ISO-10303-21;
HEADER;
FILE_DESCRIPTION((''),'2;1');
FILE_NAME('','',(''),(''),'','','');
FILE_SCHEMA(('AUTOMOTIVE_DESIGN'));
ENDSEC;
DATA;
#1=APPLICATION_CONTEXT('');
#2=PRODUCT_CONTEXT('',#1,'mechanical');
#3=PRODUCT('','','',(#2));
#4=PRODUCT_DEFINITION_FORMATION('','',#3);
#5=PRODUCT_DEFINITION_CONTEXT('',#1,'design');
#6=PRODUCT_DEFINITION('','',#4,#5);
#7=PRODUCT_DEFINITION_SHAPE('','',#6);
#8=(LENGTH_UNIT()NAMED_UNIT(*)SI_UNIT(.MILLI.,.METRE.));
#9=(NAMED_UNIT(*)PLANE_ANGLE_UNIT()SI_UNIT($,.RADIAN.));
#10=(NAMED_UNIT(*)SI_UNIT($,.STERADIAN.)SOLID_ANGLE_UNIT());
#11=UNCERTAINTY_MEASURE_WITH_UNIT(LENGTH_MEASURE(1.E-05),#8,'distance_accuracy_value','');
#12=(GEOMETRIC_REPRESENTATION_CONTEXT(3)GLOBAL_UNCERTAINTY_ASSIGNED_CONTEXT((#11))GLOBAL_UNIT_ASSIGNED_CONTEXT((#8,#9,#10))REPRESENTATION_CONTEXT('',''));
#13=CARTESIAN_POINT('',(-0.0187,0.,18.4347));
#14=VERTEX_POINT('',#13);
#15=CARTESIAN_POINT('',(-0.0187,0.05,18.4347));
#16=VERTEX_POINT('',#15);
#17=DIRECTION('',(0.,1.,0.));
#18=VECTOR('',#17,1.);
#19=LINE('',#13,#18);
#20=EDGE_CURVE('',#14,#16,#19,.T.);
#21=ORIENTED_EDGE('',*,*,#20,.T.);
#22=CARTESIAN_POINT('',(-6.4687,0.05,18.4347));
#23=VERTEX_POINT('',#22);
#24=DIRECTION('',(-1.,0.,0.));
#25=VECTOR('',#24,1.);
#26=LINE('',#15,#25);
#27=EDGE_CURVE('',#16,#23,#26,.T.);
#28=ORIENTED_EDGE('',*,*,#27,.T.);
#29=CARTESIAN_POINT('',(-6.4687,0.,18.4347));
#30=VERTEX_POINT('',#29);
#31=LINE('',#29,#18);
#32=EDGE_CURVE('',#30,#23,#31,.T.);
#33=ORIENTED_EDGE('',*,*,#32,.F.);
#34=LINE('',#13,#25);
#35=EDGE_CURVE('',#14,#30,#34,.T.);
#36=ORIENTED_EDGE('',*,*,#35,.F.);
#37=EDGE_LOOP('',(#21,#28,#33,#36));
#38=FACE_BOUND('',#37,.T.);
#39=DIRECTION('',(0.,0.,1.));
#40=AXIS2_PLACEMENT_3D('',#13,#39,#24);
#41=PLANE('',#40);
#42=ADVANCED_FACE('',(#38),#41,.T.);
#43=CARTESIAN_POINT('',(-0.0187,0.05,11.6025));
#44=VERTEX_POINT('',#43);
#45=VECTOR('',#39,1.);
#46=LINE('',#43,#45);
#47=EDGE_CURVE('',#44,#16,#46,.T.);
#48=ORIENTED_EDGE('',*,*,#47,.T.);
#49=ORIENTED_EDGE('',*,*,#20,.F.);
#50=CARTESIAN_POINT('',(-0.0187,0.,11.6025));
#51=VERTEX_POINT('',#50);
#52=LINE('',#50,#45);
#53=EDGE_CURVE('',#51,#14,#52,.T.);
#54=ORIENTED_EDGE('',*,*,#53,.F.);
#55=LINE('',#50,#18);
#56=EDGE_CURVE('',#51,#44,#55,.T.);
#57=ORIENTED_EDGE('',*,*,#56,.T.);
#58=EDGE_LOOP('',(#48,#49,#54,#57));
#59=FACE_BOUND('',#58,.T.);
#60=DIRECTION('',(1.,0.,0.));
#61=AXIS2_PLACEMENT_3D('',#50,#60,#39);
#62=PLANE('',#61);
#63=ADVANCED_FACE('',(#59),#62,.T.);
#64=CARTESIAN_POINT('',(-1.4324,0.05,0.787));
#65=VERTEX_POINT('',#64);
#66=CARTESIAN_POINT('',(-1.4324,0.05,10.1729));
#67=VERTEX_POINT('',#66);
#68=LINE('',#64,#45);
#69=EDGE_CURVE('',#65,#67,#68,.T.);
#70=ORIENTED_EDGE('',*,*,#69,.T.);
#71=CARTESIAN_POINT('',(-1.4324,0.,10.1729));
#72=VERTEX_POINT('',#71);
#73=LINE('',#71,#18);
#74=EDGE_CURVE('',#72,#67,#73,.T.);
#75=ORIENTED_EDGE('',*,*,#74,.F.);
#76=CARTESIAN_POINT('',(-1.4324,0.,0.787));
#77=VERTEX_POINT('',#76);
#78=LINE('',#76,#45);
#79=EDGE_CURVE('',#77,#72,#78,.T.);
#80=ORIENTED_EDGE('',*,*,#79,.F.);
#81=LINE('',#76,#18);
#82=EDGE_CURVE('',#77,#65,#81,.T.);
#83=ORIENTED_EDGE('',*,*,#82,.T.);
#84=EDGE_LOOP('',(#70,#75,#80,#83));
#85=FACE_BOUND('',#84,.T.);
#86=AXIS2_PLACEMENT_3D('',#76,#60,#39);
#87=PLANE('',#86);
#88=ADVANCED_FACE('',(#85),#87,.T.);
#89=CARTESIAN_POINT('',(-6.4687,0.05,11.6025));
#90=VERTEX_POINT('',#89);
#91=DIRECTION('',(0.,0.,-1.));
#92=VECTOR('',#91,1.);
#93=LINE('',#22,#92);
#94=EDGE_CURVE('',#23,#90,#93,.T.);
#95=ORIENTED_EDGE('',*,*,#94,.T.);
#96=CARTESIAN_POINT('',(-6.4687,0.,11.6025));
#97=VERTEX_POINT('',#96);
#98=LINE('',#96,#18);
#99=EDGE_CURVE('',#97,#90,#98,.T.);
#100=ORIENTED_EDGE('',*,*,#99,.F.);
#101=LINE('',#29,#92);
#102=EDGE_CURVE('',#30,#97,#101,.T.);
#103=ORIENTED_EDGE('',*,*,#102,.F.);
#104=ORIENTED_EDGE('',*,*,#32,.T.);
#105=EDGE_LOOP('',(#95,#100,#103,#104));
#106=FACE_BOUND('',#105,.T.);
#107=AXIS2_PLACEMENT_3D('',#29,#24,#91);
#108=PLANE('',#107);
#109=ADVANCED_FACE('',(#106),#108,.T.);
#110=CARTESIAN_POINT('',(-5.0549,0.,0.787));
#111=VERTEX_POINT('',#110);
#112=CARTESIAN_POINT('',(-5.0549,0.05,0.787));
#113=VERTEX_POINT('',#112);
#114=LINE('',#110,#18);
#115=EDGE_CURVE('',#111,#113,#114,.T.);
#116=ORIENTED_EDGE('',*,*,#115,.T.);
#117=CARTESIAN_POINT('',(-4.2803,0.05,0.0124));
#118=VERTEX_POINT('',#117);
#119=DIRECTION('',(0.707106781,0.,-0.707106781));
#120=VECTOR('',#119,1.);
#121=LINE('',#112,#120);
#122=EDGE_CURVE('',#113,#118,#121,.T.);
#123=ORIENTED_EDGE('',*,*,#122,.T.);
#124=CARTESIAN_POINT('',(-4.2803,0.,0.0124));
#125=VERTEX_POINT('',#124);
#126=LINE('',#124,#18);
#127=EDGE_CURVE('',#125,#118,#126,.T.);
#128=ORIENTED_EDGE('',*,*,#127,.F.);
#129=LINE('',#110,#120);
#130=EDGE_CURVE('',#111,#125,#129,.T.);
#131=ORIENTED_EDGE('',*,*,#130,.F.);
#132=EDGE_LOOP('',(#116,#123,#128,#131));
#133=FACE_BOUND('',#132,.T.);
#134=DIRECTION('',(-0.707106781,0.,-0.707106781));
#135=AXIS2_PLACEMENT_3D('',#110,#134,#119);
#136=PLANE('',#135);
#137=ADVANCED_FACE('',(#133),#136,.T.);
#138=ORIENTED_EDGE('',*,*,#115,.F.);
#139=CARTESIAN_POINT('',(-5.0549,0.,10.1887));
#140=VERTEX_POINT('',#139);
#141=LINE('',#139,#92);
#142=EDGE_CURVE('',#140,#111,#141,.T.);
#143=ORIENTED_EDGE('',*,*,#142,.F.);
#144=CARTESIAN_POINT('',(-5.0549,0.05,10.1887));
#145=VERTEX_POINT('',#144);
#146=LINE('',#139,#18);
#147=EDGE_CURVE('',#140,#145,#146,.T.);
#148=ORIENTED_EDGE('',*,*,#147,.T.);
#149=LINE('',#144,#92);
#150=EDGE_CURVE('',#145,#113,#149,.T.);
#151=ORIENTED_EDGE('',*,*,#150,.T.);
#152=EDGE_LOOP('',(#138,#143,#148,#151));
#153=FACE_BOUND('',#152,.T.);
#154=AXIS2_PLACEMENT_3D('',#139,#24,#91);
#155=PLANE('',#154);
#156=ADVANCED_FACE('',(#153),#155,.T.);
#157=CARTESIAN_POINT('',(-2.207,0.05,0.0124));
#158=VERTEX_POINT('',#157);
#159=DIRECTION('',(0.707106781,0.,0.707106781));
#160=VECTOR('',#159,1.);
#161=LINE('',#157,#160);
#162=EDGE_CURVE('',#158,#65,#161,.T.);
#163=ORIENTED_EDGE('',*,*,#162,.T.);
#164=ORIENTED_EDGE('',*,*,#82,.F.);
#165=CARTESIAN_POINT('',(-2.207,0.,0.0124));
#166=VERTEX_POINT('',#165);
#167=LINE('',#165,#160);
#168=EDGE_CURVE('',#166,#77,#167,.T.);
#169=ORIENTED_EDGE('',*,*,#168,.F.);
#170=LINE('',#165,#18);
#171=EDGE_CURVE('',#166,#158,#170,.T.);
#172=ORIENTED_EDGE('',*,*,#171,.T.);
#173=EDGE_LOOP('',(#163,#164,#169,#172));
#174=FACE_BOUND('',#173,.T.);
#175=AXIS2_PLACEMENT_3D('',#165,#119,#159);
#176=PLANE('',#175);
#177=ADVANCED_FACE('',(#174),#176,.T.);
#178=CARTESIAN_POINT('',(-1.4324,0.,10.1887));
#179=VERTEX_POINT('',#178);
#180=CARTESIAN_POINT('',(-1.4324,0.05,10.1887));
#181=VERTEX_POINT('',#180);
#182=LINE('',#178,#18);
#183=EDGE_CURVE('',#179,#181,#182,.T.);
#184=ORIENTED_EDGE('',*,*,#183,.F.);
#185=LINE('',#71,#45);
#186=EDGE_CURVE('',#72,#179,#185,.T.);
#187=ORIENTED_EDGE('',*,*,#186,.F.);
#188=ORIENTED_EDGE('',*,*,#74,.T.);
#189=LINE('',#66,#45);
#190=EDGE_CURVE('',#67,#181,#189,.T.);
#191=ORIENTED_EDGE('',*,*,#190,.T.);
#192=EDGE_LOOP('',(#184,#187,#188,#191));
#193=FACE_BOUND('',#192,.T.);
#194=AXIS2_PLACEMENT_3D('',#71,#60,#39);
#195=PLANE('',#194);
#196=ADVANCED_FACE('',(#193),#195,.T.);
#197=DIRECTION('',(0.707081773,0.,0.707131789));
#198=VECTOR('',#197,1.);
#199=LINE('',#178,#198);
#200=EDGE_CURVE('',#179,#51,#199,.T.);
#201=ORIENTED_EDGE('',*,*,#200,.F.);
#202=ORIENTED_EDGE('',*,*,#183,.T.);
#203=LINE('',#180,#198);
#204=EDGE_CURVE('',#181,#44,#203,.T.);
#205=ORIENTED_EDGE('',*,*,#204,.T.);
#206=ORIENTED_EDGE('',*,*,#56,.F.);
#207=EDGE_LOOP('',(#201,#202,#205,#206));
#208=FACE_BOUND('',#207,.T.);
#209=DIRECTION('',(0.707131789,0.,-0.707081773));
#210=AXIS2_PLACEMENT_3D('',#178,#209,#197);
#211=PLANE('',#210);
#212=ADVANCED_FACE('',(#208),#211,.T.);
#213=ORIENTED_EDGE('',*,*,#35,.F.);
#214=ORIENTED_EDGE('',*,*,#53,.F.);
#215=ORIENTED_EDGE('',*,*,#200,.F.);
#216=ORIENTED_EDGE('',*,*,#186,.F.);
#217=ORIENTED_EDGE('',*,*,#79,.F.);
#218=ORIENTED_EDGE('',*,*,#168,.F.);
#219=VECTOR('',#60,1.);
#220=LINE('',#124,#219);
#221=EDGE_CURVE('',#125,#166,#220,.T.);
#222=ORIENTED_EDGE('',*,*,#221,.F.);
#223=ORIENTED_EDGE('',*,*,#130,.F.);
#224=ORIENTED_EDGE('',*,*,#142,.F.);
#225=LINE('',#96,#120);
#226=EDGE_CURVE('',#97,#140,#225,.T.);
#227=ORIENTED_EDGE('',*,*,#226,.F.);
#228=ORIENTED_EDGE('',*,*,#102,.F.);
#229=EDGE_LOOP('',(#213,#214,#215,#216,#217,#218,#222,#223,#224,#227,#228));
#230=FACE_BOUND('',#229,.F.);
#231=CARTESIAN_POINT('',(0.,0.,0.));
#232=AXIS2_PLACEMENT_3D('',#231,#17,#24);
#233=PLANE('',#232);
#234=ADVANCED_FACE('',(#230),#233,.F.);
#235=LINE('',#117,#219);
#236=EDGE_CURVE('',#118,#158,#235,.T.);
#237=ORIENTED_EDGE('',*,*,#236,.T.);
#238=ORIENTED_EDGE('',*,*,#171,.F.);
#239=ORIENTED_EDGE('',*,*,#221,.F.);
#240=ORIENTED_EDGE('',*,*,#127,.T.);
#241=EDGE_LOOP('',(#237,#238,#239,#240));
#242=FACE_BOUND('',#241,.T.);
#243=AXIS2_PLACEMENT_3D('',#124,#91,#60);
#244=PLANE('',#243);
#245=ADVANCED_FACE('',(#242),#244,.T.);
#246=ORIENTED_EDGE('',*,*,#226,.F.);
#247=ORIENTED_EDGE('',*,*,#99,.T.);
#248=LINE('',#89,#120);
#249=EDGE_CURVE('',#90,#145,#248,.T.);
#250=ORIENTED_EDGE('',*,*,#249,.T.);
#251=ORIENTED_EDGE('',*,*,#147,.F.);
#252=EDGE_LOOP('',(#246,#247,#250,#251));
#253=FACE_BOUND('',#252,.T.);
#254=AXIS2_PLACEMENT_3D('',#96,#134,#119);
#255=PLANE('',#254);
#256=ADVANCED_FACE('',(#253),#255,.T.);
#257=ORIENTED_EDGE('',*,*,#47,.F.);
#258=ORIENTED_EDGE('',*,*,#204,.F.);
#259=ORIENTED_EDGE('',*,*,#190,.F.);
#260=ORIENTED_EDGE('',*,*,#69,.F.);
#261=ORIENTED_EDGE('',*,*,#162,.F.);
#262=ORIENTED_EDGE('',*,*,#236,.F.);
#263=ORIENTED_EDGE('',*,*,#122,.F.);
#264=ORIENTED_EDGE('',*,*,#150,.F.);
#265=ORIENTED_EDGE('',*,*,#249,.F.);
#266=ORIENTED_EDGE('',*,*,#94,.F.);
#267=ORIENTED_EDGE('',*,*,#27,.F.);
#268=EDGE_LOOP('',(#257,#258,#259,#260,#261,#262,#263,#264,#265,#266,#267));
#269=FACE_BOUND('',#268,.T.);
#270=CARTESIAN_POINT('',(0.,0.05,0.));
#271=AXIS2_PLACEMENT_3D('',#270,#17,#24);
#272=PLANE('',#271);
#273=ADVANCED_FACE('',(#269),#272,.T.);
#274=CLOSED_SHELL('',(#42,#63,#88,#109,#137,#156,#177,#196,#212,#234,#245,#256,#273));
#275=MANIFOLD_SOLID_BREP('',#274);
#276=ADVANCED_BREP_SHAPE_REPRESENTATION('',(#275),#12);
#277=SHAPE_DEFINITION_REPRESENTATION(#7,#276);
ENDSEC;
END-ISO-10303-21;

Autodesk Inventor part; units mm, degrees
ref_plane "YZ Plane" through (0, 0, 0) normal (1, 0, 0) x (0, 1, 0)
ref_plane "XZ Plane" through (0, 0, 0) normal (0, 1, 0) x (-1, 0, 0)
ref_plane "XY Plane" through (0, 0, 0) normal (0, 0, 1) x (1, 0, 0)
sketch "Sketch1" plane through (0, 0, 0) normal (0, 1, 0) x (-1, 0, 0)
  line L0 (6.4687, 18.4347) -> (6.4687, 11.6025)
  line L1 (6.4687, 11.6025) -> (5.0549, 10.1887)
  line L2 (5.0549, 10.1887) -> (5.0549, 0.787)
  line L3 (5.0549, 0.787) -> (4.2803, 0.0124)
  line L4 (4.2803, 0.0124) -> (2.207, 0.0124)
  line L5 (2.207, 0.0124) -> (1.4324, 0.787)
  line L6 (1.4324, 0.787) -> (1.4324, 10.1729)
  line L7 (1.4324, 10.1729) -> (1.4324, 10.1887)
  line L8 (1.4324, 10.1887) -> (0.0187, 11.6025)
  line L9 (0.0187, 11.6025) -> (0.0187, 18.4347)
  line L10 (0.0187, 18.4347) -> (6.4687, 18.4347)
  point P0 (0, 0)
extrude "Extrusion1" add sketch "Sketch1" along normal blind 0.05
ref_plane "Work Plane1" through (-3.2437, 0, 18.4347) normal (1, 0, 0) x (0, 0, -1)
properties part number "32ch_ECoG_3p0"
